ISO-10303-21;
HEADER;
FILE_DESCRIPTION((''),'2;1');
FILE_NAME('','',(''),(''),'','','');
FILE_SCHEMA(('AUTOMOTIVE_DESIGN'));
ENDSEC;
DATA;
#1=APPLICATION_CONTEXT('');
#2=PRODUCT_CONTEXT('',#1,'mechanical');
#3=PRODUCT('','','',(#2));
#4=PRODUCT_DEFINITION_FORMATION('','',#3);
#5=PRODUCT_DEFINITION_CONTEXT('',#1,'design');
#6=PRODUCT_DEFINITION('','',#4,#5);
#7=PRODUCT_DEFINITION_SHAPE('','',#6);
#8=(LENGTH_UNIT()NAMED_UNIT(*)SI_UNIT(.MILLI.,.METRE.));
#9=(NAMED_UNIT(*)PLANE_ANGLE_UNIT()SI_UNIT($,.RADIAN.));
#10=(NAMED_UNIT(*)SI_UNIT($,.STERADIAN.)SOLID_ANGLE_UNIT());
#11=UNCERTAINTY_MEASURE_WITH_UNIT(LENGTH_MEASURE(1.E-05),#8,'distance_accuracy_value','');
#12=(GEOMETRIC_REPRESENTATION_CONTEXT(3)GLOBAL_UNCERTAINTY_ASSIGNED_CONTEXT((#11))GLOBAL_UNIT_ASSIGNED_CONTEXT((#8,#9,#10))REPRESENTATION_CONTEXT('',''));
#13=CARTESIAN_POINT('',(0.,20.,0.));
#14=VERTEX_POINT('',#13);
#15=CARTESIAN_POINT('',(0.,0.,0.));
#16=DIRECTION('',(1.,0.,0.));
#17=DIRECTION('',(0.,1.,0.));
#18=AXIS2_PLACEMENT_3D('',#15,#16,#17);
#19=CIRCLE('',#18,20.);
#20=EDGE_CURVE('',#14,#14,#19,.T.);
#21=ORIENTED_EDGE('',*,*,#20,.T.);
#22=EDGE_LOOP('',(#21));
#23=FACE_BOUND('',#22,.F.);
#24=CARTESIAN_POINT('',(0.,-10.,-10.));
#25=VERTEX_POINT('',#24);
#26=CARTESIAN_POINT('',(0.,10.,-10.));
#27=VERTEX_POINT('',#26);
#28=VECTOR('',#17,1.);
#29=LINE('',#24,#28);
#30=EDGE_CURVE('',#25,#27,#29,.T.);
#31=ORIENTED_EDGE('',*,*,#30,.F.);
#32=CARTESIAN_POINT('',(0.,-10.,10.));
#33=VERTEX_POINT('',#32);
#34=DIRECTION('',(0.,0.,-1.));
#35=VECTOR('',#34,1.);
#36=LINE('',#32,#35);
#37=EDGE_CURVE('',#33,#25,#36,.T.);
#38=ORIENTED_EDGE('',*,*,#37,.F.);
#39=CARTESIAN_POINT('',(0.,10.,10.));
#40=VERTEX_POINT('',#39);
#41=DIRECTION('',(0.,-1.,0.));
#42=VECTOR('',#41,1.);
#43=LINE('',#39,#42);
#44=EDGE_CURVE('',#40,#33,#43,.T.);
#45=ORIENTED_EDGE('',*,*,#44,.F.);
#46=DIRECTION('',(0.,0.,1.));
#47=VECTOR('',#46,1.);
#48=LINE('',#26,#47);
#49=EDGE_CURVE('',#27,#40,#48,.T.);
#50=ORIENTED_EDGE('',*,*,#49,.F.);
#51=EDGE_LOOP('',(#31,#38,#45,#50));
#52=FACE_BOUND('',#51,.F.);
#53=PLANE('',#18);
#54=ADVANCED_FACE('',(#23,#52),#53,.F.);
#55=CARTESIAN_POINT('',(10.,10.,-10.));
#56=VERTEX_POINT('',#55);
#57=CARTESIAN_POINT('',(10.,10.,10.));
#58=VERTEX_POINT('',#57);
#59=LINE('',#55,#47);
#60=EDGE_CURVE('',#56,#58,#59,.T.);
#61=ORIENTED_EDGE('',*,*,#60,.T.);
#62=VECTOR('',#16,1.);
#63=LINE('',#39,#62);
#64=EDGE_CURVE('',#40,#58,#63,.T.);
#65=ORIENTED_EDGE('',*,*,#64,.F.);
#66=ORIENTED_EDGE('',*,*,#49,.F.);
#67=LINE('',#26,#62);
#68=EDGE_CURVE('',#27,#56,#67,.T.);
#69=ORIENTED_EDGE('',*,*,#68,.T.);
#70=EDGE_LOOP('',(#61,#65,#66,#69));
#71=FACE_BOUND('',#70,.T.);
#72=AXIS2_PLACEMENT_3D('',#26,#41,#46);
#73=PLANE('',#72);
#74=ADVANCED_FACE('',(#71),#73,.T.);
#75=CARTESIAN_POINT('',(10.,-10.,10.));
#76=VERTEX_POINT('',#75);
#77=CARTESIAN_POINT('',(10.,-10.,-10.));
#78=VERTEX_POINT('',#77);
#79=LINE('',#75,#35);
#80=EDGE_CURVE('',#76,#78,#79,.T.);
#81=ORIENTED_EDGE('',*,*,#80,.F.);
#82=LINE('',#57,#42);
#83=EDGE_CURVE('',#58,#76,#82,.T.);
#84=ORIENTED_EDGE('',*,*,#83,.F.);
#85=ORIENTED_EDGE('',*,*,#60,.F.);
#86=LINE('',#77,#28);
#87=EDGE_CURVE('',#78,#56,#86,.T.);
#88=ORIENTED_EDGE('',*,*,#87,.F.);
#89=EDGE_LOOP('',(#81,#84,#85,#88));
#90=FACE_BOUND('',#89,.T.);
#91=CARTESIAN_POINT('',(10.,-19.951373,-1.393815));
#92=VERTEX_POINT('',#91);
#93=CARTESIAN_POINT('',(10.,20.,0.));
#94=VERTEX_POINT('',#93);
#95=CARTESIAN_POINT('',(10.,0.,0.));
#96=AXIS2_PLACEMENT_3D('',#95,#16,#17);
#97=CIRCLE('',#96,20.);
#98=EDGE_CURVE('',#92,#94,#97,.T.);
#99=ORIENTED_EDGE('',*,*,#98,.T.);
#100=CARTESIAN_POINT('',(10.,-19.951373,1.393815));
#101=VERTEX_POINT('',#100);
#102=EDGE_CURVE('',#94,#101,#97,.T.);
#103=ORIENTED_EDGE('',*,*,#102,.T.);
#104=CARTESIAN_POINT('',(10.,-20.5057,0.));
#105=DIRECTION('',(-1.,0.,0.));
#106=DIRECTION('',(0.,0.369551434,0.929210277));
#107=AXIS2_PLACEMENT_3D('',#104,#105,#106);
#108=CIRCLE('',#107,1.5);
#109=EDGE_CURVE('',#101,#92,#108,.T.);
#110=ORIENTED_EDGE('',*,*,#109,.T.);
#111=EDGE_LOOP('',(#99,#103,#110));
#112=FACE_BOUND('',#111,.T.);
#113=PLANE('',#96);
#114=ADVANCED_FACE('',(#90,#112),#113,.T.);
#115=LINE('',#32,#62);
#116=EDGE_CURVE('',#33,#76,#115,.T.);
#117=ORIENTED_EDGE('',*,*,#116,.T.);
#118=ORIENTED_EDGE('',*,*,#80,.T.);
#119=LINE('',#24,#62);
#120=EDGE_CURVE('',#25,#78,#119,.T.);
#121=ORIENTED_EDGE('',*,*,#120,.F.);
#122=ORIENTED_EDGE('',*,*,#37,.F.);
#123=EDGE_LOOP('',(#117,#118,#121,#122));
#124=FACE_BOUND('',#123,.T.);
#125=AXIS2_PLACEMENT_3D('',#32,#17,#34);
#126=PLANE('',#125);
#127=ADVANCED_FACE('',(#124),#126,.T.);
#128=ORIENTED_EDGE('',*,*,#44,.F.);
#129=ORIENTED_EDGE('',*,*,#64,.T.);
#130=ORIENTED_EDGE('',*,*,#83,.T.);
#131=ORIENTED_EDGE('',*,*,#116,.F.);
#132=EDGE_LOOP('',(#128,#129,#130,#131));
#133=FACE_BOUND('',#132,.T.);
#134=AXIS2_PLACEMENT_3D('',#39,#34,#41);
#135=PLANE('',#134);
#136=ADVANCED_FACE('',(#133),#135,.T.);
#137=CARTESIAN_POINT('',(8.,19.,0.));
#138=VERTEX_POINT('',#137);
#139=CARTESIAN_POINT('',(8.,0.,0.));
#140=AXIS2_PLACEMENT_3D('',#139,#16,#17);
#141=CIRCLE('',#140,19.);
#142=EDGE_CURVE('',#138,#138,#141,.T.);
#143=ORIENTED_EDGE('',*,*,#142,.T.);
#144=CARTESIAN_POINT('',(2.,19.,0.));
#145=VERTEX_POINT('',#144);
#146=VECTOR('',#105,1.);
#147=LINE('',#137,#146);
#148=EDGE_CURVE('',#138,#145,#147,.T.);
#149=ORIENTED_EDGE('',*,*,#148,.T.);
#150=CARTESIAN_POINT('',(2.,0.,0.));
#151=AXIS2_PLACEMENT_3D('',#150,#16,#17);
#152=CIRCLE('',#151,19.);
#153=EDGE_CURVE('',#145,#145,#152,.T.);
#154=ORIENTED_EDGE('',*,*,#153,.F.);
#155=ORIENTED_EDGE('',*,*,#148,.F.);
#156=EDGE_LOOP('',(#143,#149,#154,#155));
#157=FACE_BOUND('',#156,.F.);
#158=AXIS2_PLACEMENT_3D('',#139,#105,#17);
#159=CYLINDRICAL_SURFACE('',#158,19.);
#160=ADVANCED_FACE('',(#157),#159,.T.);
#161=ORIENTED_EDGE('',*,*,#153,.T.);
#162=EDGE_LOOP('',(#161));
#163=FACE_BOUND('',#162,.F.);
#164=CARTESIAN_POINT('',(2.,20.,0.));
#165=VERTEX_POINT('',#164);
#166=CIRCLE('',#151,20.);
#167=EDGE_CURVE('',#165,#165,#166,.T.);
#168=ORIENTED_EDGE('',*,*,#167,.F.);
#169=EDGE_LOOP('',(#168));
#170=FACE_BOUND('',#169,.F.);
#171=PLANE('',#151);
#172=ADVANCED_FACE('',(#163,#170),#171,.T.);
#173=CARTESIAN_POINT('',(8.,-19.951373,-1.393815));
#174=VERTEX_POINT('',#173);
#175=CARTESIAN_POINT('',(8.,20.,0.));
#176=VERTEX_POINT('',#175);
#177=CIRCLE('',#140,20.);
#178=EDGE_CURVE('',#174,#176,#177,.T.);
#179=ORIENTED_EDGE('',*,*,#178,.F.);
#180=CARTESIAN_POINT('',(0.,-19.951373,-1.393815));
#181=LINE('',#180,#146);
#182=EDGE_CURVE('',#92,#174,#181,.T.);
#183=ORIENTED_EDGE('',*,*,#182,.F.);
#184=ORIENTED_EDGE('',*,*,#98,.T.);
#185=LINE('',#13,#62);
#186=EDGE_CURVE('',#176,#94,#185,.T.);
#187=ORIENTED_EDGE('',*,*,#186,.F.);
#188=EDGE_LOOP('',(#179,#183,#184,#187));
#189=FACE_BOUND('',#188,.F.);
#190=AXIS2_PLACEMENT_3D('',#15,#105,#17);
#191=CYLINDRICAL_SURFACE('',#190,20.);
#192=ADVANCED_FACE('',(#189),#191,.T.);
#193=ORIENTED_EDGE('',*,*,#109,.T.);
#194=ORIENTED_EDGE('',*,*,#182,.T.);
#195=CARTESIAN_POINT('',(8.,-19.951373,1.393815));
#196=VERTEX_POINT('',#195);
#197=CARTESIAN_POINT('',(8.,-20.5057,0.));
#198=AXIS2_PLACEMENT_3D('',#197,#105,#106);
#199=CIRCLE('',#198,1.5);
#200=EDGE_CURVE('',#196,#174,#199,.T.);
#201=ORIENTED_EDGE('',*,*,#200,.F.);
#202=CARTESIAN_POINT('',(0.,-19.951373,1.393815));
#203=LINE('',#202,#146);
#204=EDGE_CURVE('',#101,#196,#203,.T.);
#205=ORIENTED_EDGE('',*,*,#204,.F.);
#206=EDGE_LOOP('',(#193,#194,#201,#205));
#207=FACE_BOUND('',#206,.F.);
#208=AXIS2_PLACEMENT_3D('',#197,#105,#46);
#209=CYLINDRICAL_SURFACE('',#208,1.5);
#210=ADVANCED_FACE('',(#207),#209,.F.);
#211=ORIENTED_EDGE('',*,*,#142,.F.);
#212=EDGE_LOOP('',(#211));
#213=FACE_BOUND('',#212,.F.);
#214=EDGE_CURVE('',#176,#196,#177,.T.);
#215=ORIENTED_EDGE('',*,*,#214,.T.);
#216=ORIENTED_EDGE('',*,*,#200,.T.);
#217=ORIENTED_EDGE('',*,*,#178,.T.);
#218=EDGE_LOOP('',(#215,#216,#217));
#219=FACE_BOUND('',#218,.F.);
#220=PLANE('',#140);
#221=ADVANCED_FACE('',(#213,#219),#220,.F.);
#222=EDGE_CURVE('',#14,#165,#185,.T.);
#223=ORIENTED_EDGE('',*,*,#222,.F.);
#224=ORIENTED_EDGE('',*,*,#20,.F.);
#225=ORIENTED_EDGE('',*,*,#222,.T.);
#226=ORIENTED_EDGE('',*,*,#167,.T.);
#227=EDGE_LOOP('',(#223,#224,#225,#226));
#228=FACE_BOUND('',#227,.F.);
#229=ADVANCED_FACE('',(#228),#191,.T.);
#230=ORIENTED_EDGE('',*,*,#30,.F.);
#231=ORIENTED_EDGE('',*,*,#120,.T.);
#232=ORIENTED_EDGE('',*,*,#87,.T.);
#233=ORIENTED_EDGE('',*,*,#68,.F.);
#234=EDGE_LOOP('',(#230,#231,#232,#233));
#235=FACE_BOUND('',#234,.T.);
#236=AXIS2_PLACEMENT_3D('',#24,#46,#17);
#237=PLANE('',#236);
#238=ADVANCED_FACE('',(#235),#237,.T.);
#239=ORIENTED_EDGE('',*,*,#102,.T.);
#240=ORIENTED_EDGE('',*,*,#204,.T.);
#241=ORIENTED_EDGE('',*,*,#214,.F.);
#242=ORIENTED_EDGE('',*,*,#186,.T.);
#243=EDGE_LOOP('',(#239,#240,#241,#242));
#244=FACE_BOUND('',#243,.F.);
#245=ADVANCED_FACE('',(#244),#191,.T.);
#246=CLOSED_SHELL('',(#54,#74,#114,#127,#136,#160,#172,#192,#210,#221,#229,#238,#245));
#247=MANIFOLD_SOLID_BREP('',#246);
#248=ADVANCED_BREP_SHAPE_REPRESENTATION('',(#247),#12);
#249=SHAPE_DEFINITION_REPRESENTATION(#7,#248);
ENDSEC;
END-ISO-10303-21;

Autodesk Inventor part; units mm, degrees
ref_plane "YZ Plane" through (0, 0, 0) normal (1, 0, 0) x (0, 1, 0)
ref_plane "XZ Plane" through (0, 0, 0) normal (0, 1, 0) x (-1, 0, 0)
sketch "Sketch1" plane through (0, 0, 0) normal (1, 0, 0) x (0, 1, 0)
  line L0 (10, 10) -> (-10, 10)
  line L1 (-10, 10) -> (-10, -10)
  line L2 (-10, -10) -> (10, -10)
  line L3 (10, -10) -> (10, 10)
  line L4 (10, 10) -> (-10, -10) construction
  line L5 (-10, 10) -> (10, -10) construction
  circle A0 centre (0, 0) radius 14.1421
  circle A1 centre (0, 0) radius 20
  dimension "d0" = 20
  dimension "d1" = 20
  dimension "d2" = 40
extrude "Extrusion1" add sketch "Sketch1" along normal blind 10 contours A0 L3 | L0 A0 | L1 A0 | A0 L2 | A1
ref_plane "Work Plane1" through (0, -10, 0) normal (0, 0, -1) x (-1, 0, 0)
sketch "Sketch2" plane through (0, -10, 0) normal (0, 0, -1) x (-1, 0, 0)
  line L0 (0, 30) -> (-10, 30) projected
  line L1 (0, 30) -> (-5, 30)
  line L2 (-5, 30) -> (-2, 30)
  line L3 (-5, 30) -> (-8, 30)
  line L4 (-8, 30) -> (-8, 29)
  line L5 (-8, 29) -> (-3, 29)
  line L6 (-8, 29) -> (-2, 29)
  line L7 (-2, 29) -> (-2, 30)
  line L8 (-2, 30) -> (-8, 30)
  line L9 (-8, 30) -> (-8, 29)
  line L10 (2, 10) -> (-12, 10) projected
  point P0 (0, 10)
  point P1 (-2.5, 28)
  dimension "d5" = 3
  dimension "d6" = 3
  dimension "d7" = 1
revolve "Revolution1" cut sketch "Sketch2" angle 360 about axis through (-10, 0, 0) along (1, 0, 0)
sketch "Sketch4" plane through (8, 0, 0) normal (-1, 0, 0) x (0, 0, 1)
  line L0 (0, -19.0057) -> (0, -20.5057)
  circle A0 centre (0, -20.5057) radius 1.5
  point P0 (0, 0)
  dimension "d12" = 1.5
extrude "Extrusion3" cut sketch "Sketch4" against normal blind 10
properties part number "antenna_rad" material "PET Plastic"
